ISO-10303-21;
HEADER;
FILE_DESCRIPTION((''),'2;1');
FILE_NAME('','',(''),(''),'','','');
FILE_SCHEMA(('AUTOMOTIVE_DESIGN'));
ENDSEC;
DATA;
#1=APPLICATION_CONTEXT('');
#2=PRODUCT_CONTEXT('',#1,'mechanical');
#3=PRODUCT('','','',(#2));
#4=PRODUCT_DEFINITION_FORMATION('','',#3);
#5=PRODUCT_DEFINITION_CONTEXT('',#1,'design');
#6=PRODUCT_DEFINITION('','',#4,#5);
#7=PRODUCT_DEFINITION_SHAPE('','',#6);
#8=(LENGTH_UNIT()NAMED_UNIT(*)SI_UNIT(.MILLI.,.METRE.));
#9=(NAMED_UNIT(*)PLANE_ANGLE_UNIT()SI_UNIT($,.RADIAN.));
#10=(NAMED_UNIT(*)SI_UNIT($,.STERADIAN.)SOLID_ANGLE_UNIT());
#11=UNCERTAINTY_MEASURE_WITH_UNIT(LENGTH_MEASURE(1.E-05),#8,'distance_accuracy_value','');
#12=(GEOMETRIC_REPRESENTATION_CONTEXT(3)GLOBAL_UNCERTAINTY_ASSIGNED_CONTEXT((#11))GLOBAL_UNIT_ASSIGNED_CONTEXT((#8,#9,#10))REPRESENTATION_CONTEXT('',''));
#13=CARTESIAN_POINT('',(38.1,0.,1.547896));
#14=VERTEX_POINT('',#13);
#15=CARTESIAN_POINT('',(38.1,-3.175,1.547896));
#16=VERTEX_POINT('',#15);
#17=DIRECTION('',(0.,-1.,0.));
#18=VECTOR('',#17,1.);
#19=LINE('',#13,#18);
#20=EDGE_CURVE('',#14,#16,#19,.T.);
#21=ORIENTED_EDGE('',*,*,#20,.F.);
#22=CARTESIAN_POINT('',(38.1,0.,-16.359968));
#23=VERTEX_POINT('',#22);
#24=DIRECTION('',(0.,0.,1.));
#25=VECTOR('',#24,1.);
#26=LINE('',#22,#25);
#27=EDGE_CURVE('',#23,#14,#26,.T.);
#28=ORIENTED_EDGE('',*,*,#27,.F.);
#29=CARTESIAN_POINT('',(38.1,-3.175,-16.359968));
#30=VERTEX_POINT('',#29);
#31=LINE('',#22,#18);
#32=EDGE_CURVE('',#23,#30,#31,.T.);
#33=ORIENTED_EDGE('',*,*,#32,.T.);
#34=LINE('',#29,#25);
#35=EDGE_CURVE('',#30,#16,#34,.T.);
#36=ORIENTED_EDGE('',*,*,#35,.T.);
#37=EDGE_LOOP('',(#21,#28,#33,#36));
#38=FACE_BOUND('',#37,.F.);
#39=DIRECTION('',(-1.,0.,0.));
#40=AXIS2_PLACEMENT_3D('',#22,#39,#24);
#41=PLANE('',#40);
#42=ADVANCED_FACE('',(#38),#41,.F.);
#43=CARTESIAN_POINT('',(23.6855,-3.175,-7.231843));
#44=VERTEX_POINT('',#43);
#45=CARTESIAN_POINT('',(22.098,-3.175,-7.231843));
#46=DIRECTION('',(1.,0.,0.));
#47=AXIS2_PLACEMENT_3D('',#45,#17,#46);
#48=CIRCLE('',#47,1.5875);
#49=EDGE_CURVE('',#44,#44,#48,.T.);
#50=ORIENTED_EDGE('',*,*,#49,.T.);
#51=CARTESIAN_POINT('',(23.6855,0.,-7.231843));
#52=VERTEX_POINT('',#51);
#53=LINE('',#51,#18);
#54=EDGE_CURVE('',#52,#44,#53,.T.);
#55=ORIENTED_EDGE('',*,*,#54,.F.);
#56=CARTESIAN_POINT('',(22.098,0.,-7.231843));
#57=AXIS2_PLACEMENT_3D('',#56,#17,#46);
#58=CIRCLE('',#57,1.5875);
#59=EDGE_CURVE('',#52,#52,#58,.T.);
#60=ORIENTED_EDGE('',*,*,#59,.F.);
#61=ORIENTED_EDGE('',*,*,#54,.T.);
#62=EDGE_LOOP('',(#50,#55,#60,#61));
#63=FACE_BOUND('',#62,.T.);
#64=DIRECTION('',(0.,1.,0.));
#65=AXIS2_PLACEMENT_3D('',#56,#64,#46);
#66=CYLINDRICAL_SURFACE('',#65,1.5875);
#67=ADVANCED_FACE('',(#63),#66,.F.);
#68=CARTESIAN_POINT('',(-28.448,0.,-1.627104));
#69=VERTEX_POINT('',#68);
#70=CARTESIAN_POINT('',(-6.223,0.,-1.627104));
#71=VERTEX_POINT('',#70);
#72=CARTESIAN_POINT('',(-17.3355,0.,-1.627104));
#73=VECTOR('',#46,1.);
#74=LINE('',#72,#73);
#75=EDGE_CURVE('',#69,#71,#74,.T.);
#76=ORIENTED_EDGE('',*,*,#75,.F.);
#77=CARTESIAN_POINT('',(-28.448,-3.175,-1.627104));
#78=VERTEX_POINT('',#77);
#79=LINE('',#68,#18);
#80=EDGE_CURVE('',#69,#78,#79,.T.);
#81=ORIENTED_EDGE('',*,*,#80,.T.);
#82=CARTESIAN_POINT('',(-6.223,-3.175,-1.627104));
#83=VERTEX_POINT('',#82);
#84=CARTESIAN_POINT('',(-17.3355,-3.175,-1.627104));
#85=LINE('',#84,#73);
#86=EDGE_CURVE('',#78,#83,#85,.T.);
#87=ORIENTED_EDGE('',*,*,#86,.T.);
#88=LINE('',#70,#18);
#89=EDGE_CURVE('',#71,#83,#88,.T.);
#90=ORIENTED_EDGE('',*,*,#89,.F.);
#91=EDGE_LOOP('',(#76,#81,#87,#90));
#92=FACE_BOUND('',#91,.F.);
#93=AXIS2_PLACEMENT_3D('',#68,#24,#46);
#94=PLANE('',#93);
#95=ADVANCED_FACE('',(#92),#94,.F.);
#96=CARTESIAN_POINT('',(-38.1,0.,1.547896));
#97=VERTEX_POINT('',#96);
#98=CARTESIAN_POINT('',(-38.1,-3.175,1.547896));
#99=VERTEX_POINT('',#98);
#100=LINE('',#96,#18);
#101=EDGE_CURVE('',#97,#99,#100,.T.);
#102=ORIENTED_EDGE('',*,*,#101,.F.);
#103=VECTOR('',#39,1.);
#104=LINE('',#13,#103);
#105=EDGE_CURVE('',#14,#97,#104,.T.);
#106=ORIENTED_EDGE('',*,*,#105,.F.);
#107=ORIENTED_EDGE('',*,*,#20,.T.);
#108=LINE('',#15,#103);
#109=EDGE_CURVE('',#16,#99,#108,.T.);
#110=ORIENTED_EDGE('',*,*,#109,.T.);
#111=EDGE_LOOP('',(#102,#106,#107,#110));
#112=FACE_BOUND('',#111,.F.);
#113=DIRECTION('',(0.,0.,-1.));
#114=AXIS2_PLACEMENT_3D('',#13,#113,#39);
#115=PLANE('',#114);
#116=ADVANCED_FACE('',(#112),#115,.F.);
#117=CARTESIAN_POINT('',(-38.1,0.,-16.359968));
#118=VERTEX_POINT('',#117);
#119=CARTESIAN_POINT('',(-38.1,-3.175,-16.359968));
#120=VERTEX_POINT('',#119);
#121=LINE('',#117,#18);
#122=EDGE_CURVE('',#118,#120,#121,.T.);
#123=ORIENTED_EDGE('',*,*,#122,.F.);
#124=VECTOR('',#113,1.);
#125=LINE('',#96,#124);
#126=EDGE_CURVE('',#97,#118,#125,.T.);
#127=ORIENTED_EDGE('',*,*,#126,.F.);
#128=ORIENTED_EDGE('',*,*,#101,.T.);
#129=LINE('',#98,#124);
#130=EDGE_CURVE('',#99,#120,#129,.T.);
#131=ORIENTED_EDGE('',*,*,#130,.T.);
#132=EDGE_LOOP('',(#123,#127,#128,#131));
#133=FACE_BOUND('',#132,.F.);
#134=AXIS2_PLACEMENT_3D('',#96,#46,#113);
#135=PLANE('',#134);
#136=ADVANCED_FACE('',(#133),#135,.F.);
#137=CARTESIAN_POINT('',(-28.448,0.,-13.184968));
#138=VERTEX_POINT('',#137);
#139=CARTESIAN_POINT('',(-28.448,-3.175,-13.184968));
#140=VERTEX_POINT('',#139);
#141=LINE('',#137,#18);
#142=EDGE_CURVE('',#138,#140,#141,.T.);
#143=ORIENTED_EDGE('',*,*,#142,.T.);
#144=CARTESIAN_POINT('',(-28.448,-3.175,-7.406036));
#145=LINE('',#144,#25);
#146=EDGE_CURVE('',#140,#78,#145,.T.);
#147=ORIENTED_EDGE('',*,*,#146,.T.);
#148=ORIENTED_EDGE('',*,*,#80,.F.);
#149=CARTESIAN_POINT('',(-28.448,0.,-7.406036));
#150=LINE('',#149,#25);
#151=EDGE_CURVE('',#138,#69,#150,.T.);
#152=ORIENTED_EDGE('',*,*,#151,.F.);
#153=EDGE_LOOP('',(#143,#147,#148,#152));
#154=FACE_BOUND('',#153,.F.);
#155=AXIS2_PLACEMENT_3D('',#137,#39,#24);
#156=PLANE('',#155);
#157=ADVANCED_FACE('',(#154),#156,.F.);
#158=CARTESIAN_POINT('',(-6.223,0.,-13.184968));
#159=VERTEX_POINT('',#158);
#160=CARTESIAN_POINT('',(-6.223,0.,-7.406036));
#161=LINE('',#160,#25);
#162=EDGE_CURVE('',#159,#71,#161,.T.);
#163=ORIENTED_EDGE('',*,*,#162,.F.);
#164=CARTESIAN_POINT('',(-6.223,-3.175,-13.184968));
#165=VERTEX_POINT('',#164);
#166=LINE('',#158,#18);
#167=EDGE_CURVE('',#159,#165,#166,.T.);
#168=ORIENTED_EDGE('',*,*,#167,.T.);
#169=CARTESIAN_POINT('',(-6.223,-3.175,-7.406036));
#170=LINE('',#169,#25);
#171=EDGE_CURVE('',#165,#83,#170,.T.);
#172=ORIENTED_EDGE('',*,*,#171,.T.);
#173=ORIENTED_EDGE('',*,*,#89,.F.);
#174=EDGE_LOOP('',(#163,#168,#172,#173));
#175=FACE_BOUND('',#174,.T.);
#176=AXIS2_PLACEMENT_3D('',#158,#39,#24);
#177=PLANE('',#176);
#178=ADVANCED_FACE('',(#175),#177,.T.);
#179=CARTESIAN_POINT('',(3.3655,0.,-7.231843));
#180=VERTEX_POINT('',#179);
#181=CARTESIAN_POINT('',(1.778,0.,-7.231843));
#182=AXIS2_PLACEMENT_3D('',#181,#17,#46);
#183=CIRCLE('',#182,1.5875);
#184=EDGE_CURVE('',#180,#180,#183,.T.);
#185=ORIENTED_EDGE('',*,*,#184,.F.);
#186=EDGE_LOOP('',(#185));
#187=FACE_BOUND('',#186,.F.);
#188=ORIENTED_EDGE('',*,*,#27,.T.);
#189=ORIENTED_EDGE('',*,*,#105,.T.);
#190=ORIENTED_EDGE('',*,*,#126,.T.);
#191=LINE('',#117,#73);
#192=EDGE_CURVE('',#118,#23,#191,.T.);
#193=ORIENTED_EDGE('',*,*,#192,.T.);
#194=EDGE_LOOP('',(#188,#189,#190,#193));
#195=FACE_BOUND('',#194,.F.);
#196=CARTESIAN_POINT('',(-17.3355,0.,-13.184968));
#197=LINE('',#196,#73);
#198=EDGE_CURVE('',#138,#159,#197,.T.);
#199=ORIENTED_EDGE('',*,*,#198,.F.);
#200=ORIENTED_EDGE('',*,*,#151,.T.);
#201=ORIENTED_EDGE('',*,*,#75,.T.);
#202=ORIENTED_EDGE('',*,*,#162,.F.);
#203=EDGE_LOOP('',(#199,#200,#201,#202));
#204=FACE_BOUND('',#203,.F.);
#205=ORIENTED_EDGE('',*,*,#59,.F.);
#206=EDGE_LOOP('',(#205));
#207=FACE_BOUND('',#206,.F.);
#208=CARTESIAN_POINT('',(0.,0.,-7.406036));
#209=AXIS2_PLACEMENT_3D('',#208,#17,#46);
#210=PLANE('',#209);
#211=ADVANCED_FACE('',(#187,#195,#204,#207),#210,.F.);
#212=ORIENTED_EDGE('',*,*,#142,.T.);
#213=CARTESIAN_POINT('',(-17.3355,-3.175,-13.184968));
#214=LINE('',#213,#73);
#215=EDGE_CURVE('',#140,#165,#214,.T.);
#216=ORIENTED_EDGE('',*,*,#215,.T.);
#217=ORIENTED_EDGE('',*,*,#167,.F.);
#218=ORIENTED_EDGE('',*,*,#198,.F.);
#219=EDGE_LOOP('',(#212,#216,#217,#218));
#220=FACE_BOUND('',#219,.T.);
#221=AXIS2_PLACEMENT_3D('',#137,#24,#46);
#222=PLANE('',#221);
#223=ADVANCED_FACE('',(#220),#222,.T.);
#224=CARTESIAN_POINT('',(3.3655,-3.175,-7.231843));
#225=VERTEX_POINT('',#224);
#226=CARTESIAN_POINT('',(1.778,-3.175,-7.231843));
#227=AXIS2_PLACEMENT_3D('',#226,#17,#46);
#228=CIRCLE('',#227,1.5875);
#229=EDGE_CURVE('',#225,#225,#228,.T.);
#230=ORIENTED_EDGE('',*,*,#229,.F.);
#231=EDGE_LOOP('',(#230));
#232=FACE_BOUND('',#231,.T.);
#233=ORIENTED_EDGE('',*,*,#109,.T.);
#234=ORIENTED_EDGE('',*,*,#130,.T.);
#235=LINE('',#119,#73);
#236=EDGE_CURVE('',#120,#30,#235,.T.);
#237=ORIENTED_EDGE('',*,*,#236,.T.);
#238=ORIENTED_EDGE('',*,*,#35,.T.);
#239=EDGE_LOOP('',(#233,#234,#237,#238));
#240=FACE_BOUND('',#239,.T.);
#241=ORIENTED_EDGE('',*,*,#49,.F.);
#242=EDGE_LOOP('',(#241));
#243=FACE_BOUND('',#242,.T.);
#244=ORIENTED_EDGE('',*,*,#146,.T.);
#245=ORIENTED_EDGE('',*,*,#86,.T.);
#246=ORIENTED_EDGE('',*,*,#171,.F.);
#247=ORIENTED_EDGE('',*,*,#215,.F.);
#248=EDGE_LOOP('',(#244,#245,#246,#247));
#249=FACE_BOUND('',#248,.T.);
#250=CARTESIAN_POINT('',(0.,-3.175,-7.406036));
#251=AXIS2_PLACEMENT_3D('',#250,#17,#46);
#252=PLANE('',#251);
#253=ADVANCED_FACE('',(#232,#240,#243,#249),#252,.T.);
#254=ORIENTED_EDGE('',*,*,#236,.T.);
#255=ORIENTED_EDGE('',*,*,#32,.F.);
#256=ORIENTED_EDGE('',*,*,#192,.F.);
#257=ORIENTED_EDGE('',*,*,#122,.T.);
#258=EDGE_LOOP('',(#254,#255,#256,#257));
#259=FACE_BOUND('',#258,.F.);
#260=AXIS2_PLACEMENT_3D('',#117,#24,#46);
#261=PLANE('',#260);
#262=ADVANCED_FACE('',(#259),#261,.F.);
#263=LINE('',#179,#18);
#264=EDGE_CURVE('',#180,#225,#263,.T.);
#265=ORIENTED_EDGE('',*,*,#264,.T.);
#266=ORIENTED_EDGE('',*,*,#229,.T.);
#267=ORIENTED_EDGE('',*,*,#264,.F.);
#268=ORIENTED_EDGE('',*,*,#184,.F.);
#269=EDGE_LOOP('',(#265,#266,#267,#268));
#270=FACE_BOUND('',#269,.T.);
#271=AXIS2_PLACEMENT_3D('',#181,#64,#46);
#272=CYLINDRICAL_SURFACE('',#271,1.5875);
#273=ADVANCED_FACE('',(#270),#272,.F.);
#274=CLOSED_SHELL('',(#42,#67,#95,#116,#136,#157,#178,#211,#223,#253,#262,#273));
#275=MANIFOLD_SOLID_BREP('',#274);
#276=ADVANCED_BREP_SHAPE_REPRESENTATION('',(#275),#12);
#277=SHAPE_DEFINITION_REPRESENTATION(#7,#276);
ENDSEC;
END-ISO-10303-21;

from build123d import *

# Parameters (mm, degrees)
F0_W     = 22.225
F0_H     = 11.557864
F0_R     = 1.5875
F1_DEPTH = 3.175


with BuildPart() as f1:
    # F0 (on Front) → F1 (new body)
    with BuildSketch(Plane.XZ):
        Polygon((38.1, 1.547896), (-38.1, 1.547896), (-38.1, -1.627104), (-38.1, -13.184968), (-38.1, -16.359968), (38.1, -16.359968), (38.1, -13.184968), (38.1, -1.627104), align=None)
        with Locations((-17.3355, -7.406036)):
            Rectangle(F0_W, F0_H, mode=Mode.SUBTRACT)
        with Locations((1.778, -7.231843)):
            Circle(F0_R, mode=Mode.SUBTRACT)
        with Locations((22.098, -7.231843)):
            Circle(F0_R, mode=Mode.SUBTRACT)
    extrude(amount=F1_DEPTH)


solid = f1.part
